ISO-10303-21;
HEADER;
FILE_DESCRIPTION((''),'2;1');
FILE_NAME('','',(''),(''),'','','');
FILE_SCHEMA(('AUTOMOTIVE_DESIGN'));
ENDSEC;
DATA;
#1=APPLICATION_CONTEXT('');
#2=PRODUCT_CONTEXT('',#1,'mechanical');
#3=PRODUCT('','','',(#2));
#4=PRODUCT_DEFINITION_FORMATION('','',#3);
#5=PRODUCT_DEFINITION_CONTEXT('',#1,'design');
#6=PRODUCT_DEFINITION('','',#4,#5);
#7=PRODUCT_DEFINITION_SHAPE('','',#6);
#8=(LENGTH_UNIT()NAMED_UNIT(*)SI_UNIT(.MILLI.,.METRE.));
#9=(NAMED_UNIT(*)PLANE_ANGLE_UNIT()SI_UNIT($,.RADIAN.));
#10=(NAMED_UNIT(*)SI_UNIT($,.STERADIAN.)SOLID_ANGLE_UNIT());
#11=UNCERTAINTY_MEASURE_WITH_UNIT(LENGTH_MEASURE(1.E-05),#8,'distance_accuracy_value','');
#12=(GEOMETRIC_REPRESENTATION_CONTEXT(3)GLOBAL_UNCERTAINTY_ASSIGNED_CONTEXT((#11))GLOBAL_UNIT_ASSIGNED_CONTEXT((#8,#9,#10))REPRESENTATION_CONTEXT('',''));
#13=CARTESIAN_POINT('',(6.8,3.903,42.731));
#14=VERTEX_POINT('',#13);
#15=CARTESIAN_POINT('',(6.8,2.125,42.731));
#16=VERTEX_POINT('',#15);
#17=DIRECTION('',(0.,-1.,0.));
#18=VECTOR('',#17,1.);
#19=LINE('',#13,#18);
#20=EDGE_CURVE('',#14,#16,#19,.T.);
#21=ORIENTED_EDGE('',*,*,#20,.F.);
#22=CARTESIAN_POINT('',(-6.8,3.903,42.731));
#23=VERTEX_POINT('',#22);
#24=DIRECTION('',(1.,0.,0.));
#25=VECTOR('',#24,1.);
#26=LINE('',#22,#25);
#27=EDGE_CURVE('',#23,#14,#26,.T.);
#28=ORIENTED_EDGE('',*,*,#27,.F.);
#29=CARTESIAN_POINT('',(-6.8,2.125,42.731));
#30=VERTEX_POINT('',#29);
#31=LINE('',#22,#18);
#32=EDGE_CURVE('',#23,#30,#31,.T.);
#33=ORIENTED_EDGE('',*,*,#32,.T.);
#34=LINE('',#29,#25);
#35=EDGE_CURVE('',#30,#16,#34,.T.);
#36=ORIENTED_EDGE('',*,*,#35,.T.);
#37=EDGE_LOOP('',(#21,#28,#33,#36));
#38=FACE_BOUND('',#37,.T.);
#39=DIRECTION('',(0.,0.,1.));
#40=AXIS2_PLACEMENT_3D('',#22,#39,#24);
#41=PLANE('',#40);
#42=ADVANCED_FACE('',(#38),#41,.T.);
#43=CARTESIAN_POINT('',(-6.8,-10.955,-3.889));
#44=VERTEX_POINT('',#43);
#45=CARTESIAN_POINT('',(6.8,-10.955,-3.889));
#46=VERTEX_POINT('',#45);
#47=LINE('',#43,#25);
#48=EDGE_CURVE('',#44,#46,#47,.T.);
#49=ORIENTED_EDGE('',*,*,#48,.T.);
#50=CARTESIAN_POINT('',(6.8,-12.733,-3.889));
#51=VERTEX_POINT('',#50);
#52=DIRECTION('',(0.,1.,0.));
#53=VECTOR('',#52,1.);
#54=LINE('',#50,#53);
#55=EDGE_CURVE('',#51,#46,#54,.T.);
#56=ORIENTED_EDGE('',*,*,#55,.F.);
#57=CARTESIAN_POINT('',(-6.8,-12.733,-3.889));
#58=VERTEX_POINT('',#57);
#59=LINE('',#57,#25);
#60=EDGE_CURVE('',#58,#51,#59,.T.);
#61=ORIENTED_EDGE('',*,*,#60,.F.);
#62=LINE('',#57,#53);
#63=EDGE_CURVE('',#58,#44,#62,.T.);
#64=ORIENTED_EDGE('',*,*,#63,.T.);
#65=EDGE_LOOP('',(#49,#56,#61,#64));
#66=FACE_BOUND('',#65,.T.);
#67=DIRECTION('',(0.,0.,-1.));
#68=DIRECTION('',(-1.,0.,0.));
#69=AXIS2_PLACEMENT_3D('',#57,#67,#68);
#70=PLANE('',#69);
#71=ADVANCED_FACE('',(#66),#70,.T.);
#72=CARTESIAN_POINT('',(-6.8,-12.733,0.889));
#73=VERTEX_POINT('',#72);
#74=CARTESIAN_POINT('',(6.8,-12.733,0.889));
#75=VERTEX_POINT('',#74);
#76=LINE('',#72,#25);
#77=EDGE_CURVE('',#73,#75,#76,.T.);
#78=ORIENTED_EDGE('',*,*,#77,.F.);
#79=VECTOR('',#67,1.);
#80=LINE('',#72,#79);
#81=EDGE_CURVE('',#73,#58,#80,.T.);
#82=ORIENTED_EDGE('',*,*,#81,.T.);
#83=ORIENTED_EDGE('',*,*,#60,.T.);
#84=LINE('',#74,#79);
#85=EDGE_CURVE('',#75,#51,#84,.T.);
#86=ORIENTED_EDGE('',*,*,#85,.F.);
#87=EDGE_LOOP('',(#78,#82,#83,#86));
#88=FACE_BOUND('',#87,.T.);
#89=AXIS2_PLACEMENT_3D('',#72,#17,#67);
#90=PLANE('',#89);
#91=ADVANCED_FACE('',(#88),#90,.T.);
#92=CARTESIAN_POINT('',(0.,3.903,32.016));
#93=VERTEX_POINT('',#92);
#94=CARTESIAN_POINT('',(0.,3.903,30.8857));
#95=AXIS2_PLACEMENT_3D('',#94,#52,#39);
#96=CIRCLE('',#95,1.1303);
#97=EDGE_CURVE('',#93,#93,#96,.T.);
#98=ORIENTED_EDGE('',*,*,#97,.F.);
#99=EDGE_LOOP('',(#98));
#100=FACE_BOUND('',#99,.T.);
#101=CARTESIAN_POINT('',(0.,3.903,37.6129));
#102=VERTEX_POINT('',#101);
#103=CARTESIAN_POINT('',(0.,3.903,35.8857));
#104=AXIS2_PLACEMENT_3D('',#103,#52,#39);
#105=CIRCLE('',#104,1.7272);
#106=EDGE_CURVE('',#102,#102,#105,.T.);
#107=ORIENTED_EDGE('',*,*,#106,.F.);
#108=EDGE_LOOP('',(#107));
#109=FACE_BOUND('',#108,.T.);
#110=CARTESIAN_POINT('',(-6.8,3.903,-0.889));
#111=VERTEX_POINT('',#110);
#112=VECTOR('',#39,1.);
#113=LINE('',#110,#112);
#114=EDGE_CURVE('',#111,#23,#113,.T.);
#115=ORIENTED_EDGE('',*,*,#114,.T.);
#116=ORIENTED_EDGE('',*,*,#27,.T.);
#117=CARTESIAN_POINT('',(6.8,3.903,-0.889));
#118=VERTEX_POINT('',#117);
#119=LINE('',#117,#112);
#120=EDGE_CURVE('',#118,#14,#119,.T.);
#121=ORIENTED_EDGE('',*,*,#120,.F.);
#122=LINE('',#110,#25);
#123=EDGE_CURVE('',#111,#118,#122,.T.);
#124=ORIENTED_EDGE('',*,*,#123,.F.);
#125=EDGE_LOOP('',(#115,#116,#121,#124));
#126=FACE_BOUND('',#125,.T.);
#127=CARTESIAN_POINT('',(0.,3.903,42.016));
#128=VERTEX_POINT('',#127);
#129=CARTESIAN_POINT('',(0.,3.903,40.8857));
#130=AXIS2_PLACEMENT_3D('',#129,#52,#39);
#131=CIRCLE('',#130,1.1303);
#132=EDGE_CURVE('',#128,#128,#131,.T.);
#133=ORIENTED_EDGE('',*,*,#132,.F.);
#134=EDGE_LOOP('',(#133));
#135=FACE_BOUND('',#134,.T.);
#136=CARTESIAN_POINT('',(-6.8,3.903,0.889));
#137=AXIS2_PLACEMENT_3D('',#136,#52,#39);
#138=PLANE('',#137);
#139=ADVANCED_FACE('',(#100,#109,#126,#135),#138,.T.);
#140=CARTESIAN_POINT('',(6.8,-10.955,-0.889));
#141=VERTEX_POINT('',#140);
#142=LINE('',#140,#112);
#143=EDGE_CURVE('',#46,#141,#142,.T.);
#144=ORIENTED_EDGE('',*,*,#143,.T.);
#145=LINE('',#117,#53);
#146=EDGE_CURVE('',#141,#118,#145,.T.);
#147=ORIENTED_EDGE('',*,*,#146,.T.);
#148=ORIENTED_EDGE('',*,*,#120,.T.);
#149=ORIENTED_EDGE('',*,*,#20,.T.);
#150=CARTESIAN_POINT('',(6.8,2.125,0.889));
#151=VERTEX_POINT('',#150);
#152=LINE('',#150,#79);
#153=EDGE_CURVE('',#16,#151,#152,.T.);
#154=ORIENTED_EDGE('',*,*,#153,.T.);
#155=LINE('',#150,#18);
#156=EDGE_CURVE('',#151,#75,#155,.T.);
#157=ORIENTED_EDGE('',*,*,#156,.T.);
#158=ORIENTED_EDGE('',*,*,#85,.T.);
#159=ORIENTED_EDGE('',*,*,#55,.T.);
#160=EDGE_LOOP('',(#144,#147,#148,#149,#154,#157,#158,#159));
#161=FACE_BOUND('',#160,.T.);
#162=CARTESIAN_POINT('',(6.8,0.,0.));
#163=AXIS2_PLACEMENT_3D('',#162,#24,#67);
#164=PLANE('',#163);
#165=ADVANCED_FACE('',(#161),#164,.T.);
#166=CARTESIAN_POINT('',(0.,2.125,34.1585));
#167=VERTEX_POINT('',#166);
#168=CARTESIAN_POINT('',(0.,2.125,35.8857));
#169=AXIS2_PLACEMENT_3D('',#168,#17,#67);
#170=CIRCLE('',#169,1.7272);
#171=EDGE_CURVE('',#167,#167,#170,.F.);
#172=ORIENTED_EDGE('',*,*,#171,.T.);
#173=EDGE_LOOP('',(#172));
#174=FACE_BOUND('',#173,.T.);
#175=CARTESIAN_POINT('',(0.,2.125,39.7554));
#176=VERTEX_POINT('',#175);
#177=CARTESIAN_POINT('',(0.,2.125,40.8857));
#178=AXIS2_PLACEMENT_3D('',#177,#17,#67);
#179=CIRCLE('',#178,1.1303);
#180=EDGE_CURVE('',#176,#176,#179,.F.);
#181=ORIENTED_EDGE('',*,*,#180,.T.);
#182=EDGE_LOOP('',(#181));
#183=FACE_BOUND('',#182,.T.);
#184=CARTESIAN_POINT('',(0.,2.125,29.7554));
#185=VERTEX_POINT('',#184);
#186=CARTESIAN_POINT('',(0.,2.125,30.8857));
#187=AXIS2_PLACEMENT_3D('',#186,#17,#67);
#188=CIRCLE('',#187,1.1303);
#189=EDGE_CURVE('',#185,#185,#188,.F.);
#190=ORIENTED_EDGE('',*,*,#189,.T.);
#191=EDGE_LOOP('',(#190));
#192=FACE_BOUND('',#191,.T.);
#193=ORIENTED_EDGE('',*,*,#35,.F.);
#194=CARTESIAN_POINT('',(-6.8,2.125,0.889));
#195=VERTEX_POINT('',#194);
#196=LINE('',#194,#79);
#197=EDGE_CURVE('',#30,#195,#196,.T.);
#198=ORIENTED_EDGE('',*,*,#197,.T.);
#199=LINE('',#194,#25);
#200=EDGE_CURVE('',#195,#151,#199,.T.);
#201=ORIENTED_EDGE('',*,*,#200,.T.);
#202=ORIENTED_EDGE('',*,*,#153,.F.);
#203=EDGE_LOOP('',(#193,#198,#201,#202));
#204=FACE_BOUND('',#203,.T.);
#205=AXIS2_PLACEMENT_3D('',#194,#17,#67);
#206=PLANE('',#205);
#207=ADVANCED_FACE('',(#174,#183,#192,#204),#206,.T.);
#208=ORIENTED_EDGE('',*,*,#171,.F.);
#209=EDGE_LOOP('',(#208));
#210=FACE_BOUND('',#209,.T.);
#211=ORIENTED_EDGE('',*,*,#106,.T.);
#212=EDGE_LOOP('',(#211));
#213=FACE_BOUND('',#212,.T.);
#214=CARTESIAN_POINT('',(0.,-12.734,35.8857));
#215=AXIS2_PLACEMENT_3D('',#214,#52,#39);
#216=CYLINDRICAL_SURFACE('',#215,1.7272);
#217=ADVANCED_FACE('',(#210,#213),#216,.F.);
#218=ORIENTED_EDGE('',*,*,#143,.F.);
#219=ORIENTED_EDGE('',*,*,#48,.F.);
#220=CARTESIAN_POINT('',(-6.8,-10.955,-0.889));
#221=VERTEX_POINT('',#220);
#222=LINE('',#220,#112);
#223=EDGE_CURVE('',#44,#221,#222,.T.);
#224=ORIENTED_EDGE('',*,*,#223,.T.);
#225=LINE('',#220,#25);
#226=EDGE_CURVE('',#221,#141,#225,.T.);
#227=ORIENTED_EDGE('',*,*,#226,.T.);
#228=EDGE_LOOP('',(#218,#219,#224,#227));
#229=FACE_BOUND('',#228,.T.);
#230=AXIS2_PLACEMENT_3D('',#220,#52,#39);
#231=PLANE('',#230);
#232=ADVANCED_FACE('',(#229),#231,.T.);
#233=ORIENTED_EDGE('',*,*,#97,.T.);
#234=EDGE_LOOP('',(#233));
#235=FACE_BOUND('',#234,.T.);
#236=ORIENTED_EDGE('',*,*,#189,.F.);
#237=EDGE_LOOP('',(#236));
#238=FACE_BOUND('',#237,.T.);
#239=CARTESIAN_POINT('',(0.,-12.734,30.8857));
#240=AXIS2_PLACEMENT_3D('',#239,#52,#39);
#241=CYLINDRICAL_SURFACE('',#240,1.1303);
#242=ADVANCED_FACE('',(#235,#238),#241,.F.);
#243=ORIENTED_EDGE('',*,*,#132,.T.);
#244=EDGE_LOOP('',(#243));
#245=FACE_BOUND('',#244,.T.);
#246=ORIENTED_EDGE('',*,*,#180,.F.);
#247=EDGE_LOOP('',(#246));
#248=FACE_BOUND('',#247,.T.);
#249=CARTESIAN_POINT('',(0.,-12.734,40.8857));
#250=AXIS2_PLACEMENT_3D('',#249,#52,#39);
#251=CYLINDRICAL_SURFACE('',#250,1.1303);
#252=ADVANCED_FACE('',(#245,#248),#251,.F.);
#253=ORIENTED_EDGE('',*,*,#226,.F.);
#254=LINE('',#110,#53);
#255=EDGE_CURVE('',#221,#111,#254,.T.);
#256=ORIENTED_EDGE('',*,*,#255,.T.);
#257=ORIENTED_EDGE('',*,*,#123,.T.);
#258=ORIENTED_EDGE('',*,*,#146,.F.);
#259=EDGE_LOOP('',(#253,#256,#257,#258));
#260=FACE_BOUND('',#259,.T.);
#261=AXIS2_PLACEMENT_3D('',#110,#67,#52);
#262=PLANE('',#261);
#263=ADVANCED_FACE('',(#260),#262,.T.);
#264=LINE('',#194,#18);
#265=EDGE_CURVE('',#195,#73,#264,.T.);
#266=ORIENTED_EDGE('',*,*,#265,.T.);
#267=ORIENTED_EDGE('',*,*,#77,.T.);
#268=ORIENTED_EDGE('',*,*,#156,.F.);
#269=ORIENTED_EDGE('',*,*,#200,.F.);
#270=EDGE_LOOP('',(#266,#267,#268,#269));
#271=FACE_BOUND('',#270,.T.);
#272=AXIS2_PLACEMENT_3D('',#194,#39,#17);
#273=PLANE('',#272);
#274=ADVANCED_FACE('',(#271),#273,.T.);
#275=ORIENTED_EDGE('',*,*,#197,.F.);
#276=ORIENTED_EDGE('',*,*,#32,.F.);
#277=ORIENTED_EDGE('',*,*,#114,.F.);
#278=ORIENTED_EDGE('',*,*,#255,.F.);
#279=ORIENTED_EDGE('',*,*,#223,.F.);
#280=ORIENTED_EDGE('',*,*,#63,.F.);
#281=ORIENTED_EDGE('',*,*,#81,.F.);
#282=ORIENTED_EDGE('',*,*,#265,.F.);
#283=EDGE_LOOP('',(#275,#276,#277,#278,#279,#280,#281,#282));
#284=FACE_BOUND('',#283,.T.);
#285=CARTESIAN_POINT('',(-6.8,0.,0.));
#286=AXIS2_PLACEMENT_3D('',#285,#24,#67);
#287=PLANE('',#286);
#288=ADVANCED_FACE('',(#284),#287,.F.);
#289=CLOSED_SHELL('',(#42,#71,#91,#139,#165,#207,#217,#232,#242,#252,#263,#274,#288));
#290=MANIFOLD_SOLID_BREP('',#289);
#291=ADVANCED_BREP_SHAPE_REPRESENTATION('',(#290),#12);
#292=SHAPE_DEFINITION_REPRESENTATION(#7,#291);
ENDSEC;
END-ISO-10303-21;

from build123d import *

# Parameters (mm, degrees)
BOSS_EXTRUDE1_DEPTH      = 6.8
BOSS_EXTRUDE1_DEPTH_BACK = 6.8
CUT_EXTRUDE1_REACH       = 48.357
SKETCH2_R                = 1.1303
SKETCH2_R_2              = 1.7272


with BuildPart() as part:
    # Sketch1 → Boss-Extrude1 (new, two sides: drawn at the far end of the back side and taken through both)
    with BuildSketch(Plane(origin=(0, 0, 0), x_dir=(0, 0, -1), z_dir=(1, 0, 0)).offset(-BOSS_EXTRUDE1_DEPTH_BACK)):
        Polygon((0.889, 3.903), (-0.889, 3.903), (-42.731, 3.903), (-42.731, 2.125), (-0.889, 2.125), (-0.889, -12.733), (3.889, -12.733), (3.889, -10.955), (0.889, -10.955), align=None)
    extrude(amount=BOSS_EXTRUDE1_DEPTH + BOSS_EXTRUDE1_DEPTH_BACK)

    # Sketch2 → Cut-Extrude1 (cut, up to next)
    with BuildSketch(Plane(origin=(0, 3.903, 0), x_dir=(1, 0, 0), z_dir=(0, 1, 0)), mode=Mode.PRIVATE) as cut_extrude1_sk1:
        with Locations((0, -40.8857)):
            Circle(SKETCH2_R)
    cut_extrude1_tool1 = extrude(cut_extrude1_sk1.sketch, amount=-CUT_EXTRUDE1_REACH, mode=Mode.PRIVATE) & part.part
    # Sketch2 → Cut-Extrude1 (cut, up to next)
    with BuildSketch(Plane(origin=(0, 3.903, 0), x_dir=(1, 0, 0), z_dir=(0, 1, 0)), mode=Mode.PRIVATE) as cut_extrude1_sk2:
        with Locations((0, -35.8857)):
            Circle(SKETCH2_R_2)
    cut_extrude1_tool2 = extrude(cut_extrude1_sk2.sketch, amount=-CUT_EXTRUDE1_REACH, mode=Mode.PRIVATE) & part.part
    # Sketch2 → Cut-Extrude1 (cut, up to next)
    with BuildSketch(Plane(origin=(0, 3.903, 0), x_dir=(1, 0, 0), z_dir=(0, 1, 0)), mode=Mode.PRIVATE) as cut_extrude1_sk3:
        with Locations((0, -30.8857)):
            Circle(SKETCH2_R)
    cut_extrude1_tool3 = extrude(cut_extrude1_sk3.sketch, amount=-CUT_EXTRUDE1_REACH, mode=Mode.PRIVATE) & part.part
    add(cut_extrude1_tool1.solids().sort_by_distance((0, 3.903, 40.8857))[0], mode=Mode.SUBTRACT)
    add(cut_extrude1_tool2.solids().sort_by_distance((0, 3.903, 35.8857))[0], mode=Mode.SUBTRACT)
    add(cut_extrude1_tool3.solids().sort_by_distance((0, 3.903, 30.8857))[0], mode=Mode.SUBTRACT)


solid = part.part
